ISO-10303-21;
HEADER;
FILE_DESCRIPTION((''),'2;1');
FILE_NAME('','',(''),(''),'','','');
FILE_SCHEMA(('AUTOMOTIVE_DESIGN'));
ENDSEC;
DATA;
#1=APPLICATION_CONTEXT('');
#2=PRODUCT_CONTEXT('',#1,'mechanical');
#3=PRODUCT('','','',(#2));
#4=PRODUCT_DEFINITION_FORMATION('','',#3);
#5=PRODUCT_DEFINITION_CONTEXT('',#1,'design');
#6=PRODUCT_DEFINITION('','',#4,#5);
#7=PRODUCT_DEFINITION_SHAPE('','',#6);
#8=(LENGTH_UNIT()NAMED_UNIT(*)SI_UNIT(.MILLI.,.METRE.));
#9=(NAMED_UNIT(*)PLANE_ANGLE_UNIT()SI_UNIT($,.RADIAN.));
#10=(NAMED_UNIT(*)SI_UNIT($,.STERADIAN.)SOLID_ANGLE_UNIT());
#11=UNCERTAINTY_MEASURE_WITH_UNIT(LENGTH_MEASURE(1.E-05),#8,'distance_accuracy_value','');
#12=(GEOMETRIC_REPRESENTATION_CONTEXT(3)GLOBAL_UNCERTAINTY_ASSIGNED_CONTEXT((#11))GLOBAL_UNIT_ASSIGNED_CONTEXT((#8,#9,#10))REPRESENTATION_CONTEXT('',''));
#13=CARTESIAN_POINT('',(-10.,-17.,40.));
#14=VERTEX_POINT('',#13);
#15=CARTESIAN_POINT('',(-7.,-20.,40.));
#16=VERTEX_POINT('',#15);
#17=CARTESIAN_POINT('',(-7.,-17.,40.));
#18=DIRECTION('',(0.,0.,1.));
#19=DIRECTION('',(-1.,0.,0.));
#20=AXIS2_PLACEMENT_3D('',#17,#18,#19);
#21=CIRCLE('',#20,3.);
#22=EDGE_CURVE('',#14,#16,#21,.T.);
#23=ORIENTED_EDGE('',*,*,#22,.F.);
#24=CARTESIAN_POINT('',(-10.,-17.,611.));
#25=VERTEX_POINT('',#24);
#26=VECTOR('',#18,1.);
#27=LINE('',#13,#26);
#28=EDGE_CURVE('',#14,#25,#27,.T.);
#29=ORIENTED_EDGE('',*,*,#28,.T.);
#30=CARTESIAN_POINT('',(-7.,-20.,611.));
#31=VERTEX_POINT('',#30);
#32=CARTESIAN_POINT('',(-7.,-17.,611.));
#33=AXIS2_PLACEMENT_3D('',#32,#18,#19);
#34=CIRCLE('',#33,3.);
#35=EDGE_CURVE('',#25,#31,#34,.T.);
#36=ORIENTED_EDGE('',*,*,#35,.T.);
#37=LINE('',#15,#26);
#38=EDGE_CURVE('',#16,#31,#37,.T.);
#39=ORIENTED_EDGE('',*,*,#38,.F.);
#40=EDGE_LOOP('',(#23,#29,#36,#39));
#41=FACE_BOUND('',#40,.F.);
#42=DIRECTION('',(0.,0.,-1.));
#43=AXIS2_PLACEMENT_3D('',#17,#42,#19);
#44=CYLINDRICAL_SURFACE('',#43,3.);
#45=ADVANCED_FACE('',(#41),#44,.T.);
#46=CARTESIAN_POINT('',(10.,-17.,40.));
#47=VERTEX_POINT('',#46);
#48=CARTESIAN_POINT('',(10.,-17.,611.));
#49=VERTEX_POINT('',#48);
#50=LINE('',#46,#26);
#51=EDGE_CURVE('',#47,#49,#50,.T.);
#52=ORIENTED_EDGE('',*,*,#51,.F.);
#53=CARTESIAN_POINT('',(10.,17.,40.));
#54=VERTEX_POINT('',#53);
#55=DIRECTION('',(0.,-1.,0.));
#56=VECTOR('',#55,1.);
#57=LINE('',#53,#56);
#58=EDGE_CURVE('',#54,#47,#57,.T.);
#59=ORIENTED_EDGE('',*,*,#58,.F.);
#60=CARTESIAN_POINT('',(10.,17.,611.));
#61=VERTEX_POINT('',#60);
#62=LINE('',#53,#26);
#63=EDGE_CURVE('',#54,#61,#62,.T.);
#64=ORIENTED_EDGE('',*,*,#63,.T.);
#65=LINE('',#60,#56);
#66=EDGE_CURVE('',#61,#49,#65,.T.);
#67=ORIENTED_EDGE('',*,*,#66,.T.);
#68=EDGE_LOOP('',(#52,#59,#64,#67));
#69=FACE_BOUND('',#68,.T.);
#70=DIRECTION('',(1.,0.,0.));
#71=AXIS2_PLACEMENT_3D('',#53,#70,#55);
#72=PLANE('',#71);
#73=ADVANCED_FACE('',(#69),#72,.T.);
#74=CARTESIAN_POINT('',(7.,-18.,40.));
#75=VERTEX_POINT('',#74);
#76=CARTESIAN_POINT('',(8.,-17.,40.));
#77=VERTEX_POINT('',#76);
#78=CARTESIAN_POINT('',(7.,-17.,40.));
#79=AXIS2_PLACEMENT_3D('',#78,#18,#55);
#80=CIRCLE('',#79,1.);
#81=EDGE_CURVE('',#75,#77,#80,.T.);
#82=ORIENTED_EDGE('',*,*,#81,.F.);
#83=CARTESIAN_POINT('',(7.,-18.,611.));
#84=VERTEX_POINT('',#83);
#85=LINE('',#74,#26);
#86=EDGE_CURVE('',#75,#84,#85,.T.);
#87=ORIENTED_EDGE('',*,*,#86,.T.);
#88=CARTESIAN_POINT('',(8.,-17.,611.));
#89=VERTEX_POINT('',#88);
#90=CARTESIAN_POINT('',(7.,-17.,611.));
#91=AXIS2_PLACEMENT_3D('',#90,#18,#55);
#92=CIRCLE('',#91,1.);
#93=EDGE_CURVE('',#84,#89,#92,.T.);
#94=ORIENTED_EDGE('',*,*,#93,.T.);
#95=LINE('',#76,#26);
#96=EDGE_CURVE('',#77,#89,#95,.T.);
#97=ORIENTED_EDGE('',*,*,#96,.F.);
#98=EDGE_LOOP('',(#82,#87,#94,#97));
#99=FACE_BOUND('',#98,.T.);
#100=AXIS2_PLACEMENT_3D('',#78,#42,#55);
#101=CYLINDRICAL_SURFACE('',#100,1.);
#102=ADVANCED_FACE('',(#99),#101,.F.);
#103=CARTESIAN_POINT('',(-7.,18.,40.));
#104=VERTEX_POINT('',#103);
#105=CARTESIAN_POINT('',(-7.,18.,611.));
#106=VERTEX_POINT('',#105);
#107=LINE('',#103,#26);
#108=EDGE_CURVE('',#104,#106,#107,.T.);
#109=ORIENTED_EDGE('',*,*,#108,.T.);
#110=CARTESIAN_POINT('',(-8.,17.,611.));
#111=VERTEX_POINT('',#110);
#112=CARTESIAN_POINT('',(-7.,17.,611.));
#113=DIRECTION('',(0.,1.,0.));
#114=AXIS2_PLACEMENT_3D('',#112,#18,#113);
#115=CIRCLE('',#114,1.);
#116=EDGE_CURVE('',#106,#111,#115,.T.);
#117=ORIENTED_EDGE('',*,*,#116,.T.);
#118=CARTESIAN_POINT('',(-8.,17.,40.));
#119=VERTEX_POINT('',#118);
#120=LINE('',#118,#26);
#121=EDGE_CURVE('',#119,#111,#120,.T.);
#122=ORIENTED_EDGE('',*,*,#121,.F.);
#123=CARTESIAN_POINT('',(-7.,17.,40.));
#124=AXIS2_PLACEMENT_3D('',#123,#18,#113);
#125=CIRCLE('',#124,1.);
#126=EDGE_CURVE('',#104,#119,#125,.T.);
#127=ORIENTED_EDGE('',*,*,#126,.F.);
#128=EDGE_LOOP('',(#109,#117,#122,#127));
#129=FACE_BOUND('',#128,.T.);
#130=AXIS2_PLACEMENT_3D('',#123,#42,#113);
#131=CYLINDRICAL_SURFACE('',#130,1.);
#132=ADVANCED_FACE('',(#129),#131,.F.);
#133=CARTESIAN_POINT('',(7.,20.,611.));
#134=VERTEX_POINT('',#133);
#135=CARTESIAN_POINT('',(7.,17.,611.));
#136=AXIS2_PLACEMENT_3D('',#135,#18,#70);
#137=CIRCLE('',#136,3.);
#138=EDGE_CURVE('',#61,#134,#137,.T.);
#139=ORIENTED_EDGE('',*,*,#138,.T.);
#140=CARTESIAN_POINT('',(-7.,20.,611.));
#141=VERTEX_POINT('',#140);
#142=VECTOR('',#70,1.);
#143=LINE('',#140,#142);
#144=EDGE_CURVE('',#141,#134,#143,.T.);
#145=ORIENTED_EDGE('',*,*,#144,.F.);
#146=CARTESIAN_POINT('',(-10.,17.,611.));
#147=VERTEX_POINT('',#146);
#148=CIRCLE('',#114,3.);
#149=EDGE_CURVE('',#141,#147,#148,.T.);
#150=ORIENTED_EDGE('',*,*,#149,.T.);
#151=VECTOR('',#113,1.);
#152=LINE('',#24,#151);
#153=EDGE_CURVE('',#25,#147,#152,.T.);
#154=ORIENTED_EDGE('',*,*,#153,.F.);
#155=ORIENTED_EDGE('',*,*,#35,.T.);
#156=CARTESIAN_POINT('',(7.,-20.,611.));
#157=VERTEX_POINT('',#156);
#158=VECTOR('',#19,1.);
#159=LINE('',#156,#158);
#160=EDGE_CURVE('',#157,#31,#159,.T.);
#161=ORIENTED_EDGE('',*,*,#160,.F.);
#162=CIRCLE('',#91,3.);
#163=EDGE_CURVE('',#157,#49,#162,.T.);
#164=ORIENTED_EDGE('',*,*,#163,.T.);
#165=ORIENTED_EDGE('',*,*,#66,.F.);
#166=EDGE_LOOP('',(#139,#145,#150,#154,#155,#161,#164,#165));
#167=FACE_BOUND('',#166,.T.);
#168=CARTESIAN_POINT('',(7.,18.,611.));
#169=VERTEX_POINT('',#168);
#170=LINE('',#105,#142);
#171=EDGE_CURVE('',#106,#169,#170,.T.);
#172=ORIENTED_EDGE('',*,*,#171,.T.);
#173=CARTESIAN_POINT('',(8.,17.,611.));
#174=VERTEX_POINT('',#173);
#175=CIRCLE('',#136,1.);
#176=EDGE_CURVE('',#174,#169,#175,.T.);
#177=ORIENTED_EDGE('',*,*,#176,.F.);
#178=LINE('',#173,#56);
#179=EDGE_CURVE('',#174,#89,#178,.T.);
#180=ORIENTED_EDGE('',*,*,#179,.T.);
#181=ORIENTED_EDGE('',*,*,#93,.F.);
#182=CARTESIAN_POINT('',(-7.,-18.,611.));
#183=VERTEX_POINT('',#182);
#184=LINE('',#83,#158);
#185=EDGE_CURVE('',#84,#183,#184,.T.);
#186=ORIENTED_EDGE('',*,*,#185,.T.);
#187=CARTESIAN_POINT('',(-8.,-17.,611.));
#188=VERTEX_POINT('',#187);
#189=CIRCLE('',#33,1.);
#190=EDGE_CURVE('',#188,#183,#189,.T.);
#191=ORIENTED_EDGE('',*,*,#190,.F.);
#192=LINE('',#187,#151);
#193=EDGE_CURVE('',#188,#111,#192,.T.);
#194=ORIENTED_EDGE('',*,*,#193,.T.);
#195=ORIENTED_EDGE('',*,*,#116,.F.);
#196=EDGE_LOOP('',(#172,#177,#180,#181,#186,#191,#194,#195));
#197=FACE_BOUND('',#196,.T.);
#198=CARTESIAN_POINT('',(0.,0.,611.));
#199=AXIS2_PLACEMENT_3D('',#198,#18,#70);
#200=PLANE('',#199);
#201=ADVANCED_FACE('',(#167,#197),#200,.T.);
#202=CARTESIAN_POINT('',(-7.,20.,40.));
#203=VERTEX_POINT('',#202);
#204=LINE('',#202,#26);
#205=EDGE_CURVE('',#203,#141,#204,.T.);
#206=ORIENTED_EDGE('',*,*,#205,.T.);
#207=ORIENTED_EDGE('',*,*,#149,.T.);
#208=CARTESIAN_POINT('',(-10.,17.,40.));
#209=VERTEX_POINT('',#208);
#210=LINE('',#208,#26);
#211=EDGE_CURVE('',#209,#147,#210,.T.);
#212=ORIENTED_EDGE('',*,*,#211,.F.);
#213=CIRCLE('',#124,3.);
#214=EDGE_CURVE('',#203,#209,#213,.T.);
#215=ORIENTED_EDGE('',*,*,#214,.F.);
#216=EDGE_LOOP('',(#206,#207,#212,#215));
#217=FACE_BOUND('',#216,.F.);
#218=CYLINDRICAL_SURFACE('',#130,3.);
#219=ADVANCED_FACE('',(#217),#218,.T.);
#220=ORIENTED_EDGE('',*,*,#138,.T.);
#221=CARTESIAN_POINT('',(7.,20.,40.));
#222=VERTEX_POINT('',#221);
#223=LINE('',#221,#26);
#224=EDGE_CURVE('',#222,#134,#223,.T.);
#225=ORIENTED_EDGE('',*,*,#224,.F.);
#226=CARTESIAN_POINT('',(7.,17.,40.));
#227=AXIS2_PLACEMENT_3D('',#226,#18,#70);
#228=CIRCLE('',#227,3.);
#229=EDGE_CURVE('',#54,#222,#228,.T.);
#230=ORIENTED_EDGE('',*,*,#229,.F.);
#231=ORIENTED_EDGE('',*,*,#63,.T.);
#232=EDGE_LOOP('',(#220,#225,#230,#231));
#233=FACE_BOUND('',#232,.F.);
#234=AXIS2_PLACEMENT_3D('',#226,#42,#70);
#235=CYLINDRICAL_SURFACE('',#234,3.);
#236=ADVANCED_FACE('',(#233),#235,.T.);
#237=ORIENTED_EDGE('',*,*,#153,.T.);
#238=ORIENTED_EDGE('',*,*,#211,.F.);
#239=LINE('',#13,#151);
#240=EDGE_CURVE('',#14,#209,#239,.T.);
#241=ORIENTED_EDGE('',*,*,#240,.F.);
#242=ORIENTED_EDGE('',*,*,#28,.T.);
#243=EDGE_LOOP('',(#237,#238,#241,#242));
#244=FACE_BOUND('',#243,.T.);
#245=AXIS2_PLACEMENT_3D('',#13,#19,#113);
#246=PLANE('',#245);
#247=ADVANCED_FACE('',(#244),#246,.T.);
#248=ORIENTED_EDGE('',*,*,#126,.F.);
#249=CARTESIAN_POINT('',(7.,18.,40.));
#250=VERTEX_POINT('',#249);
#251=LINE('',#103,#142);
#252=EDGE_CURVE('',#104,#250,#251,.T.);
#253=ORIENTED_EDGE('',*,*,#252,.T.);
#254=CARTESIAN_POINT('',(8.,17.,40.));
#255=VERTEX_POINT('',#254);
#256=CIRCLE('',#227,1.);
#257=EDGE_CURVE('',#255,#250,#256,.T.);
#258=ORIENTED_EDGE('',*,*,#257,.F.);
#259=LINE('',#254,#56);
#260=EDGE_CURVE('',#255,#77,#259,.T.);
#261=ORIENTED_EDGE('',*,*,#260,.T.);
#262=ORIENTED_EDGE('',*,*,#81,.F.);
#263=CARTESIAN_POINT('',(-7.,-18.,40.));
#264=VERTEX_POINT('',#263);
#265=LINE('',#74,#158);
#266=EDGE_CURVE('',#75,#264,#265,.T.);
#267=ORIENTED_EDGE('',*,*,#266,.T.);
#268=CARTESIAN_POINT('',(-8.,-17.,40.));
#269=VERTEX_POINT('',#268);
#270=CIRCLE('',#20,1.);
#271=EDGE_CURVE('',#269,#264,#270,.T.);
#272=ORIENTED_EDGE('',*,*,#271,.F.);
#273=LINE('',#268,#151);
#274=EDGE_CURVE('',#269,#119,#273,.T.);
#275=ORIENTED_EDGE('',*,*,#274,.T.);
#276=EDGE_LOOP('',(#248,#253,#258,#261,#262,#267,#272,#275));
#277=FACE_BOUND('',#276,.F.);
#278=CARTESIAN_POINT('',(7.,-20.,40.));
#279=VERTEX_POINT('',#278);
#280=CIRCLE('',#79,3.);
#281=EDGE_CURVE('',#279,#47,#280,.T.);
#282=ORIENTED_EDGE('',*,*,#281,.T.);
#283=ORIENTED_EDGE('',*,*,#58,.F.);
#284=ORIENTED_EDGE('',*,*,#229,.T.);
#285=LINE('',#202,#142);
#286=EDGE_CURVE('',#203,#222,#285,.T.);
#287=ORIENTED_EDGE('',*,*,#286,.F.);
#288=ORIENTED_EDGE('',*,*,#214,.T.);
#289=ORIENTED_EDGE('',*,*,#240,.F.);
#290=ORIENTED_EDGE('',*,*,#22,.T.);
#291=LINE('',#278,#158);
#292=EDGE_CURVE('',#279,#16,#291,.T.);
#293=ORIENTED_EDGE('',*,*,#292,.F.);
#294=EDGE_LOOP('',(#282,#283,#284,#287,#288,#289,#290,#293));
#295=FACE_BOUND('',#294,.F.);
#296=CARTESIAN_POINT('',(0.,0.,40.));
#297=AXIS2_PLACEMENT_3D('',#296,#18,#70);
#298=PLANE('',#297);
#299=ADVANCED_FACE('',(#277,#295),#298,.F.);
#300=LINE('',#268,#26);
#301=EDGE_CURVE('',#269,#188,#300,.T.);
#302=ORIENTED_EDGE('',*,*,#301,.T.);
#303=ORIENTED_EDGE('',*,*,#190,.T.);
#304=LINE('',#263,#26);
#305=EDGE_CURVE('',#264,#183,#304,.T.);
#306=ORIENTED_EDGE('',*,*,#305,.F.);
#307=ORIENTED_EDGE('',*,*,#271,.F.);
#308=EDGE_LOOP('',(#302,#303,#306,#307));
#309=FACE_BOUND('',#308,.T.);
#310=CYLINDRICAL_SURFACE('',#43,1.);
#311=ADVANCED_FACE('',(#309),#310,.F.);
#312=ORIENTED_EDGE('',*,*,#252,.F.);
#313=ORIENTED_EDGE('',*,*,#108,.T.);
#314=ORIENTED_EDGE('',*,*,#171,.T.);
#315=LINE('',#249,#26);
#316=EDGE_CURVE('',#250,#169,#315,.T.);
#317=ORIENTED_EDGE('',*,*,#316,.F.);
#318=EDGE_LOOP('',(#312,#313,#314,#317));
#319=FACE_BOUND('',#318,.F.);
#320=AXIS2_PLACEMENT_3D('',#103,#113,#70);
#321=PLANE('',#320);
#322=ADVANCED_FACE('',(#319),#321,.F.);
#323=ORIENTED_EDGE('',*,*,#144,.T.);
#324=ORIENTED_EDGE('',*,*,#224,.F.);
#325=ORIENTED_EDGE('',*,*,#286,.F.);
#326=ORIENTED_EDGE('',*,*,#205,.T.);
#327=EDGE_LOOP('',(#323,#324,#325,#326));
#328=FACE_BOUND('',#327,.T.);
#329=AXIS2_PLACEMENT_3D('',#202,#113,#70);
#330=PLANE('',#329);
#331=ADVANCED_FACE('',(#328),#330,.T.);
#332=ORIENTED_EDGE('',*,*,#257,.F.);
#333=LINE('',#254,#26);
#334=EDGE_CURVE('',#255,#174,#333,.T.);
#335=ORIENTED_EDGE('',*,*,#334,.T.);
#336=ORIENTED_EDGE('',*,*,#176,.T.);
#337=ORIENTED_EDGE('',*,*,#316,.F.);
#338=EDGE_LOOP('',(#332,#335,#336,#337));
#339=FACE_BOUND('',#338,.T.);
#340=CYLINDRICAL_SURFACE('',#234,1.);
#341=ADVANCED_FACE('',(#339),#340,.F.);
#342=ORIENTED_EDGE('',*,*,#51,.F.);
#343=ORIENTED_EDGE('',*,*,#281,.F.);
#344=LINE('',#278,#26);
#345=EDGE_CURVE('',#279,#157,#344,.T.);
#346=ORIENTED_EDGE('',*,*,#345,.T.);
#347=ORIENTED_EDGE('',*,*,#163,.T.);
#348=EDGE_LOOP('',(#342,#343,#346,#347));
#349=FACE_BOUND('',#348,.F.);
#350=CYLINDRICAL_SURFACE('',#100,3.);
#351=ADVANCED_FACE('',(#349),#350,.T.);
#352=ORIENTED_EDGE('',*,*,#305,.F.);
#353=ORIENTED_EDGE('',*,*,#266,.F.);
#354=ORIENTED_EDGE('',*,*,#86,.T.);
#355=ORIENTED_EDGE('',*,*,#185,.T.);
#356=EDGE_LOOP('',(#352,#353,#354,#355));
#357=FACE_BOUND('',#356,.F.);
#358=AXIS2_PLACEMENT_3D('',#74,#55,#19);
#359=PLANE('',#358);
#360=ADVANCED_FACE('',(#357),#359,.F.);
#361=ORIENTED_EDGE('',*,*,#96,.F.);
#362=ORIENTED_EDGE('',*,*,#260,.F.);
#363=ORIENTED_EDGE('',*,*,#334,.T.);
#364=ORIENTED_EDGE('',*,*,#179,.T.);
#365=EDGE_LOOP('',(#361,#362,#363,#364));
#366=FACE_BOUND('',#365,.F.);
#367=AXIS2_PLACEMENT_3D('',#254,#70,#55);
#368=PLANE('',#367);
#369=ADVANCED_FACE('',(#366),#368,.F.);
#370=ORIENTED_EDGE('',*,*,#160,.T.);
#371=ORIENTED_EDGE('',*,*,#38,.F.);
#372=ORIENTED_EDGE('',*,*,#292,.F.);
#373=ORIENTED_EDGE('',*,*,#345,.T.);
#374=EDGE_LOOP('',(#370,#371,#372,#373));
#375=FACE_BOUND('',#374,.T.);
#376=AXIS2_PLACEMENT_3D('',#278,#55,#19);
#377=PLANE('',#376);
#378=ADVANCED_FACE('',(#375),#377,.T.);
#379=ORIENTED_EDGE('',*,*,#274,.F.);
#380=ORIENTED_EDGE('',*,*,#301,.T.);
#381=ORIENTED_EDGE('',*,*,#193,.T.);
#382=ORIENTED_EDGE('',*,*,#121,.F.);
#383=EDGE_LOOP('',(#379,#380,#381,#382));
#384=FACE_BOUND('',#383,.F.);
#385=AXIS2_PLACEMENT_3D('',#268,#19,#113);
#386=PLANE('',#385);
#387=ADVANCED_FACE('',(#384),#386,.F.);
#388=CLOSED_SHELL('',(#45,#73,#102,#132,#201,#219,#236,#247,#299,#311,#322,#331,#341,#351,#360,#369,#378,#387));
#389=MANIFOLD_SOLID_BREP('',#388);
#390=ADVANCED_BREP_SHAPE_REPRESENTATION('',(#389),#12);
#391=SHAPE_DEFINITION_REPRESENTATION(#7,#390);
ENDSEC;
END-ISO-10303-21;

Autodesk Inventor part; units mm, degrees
ref_plane "Start plane" through (0, 0, 40) normal (0, 0, 1) x (1, 0, 0)
ref_plane "End plane" through (0, 0, 611) normal (0, 0, 1) x (1, 0, 0)
sketch "Sketch" plane through (0, 0, 0) normal (0, 0, 1) x (1, 0, 0)
  line L0 (-10, -17) -> (-10, 17)
  line L1 (-7, 20) -> (7, 20)
  line L2 (10, 17) -> (10, -17)
  line L3 (7, -20) -> (-7, -20)
  arc A0 (-10, -17) -> (-7, -20) centre (-7, -17) ccw
  arc A1 (-7, 20) -> (-10, 17) centre (-7, 17) ccw
  arc A2 (10, 17) -> (7, 20) centre (7, 17) ccw
  arc A3 (7, -20) -> (10, -17) centre (7, -17) ccw
  arc A4 (-7, 18) -> (-8, 17) centre (-7, 17) ccw
  line L4 (-7, 18) -> (7, 18)
  arc A5 (8, 17) -> (7, 18) centre (7, 17) ccw
  line L5 (8, 17) -> (8, -17)
  arc A6 (7, -18) -> (8, -17) centre (7, -17) ccw
  line L6 (7, -18) -> (-7, -18)
  arc A7 (-8, -17) -> (-7, -18) centre (-7, -17) ccw
  line L7 (-8, -17) -> (-8, 17)
  line L8 (0, 28.8698) -> (0, -28.8698) construction
  line L9 (-14.8698, 0) -> (14.8698, 0) construction
  dimension "d7" = 3
  dimension "d10" = 40
  dimension "d11" = 20
  dimension "d12" = 2
  dimension "d15" = 20
  dimension "d16" = 10
extrude "Body" add sketch "Sketch" along normal up to surface (571 mm away) from surface at 40
sketch "Sketch3" plane through (0, 0, 0) normal (0, 0, 1) x (1, 0, 0)
  line L0 (0, 0) -> (10, 0)
ref_plane "Work Plane3" through (0, 0, 0) normal (0, -1, 0) x (1, 0, 0)
sketch "Sketch4" plane through (0, 0, 0) normal (0, -1, 0) x (1, 0, 0)
  line L0 (-2, 40) -> (12, 40)
  line L1 (-2, 611) -> (12, 611)
  dimension "d18" = 571
ref_plane "Work Plane4" through (7, 120, 611) normal (0, 0, 1) x (1, 0, 0)
split "Split1" plane through (7, 120, 611) removes the side toward (0, 0, 1)
ref_plane "Work Plane5" through (-7, 120, 40) normal (0, 0, -1) x (-1, 0, 0)
split "Split2" plane through (-7, 120, 40) removes the side toward (0, 0, -1)
equation "\"d7\" = G_IR"
equation "\"d10\" = G_H"
equation "\"d11\" = G_W"
equation "\"d12\" = G_T"
equation "\"d15\" = 0.5 * d10"
equation "\"d16\" = 0.5 * d11"
equation "\"d3\" = G_L"
equation "\"G_W\" = 20"
equation "\"G_H\" = 40"
equation "\"G_T\" = 2"
equation "\"G_IR\" = 3"
equation "\"G_L\" = d18"
equation "\"G_OFFSET_START\" = -40"
equation "\"G_OFFSET_END\" = -40"
equation "\"d13\" = -G_OFFSET_START"
equation "\"d14\" = G_OFFSET_END + B_L"
equation "\"B_L\" = 651"
properties part number "UNI EN 10305-5 - 40 x 20 x 2  - 571" material "Steel, Mild"
